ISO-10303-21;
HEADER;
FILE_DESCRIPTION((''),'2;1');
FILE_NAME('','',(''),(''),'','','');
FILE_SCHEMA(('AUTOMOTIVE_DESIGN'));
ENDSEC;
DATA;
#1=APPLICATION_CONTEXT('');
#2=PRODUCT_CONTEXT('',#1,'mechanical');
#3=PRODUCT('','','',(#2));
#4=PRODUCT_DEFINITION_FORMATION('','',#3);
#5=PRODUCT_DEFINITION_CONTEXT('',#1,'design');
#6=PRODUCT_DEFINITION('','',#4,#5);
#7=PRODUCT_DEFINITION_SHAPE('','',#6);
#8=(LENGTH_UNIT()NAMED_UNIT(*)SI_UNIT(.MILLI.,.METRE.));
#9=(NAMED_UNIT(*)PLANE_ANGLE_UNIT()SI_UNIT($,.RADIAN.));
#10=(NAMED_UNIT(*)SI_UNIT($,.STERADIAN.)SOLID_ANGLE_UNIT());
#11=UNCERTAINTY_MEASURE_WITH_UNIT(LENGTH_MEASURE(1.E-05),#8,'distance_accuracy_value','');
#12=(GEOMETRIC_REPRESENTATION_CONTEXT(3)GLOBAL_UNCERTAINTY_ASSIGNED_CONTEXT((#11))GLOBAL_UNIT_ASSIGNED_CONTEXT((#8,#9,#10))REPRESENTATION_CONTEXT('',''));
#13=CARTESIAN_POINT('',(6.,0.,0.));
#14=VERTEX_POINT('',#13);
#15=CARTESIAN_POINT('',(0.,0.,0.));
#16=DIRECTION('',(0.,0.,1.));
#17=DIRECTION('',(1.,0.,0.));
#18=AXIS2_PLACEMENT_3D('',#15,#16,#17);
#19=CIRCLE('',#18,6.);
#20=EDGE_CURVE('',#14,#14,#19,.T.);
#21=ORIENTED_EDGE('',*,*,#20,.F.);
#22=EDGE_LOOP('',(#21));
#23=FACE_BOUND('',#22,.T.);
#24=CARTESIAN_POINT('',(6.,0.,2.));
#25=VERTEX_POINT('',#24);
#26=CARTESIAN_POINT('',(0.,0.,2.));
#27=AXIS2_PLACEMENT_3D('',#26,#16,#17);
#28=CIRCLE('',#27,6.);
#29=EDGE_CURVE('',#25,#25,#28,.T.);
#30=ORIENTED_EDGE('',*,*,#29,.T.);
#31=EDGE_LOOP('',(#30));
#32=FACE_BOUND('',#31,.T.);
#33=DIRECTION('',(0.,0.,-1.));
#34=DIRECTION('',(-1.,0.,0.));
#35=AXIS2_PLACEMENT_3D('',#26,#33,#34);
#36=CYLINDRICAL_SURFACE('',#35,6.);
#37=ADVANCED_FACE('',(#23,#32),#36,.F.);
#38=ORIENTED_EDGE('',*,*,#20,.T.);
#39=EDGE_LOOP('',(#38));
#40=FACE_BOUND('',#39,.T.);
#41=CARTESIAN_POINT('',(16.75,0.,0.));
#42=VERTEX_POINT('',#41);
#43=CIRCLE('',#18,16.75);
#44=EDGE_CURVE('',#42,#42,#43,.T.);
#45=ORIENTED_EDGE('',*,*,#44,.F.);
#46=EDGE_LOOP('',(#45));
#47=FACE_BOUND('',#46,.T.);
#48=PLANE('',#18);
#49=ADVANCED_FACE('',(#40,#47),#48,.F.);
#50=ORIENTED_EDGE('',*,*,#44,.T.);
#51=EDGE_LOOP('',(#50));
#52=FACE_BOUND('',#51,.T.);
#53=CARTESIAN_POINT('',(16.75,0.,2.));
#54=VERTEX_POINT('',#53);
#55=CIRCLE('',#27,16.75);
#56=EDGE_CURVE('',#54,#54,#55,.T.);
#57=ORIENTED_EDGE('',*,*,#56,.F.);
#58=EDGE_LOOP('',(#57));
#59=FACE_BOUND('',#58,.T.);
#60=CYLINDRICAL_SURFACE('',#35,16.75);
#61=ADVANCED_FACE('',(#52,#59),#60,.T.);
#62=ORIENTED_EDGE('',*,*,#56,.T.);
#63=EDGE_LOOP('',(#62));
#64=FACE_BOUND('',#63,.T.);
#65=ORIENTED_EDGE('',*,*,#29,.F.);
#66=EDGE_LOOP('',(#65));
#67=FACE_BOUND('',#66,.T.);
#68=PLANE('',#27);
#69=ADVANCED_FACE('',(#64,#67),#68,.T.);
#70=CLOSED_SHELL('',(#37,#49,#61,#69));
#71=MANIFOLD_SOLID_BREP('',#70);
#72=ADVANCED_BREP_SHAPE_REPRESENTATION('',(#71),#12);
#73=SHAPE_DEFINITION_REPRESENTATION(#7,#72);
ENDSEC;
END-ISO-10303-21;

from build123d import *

# Parameters (mm, degrees)
ESQUISSE1_R          = 16.75
ESQUISSE1_R_2        = 6
BASE_EXTRUSION_DEPTH = 2


with BuildPart() as part:
    # Esquisse1 → Base-Extrusion (new body)
    with BuildSketch(Plane.XY):
        Circle(ESQUISSE1_R)
        Circle(ESQUISSE1_R_2, mode=Mode.SUBTRACT)
    extrude(amount=BASE_EXTRUSION_DEPTH)


solid = part.part
